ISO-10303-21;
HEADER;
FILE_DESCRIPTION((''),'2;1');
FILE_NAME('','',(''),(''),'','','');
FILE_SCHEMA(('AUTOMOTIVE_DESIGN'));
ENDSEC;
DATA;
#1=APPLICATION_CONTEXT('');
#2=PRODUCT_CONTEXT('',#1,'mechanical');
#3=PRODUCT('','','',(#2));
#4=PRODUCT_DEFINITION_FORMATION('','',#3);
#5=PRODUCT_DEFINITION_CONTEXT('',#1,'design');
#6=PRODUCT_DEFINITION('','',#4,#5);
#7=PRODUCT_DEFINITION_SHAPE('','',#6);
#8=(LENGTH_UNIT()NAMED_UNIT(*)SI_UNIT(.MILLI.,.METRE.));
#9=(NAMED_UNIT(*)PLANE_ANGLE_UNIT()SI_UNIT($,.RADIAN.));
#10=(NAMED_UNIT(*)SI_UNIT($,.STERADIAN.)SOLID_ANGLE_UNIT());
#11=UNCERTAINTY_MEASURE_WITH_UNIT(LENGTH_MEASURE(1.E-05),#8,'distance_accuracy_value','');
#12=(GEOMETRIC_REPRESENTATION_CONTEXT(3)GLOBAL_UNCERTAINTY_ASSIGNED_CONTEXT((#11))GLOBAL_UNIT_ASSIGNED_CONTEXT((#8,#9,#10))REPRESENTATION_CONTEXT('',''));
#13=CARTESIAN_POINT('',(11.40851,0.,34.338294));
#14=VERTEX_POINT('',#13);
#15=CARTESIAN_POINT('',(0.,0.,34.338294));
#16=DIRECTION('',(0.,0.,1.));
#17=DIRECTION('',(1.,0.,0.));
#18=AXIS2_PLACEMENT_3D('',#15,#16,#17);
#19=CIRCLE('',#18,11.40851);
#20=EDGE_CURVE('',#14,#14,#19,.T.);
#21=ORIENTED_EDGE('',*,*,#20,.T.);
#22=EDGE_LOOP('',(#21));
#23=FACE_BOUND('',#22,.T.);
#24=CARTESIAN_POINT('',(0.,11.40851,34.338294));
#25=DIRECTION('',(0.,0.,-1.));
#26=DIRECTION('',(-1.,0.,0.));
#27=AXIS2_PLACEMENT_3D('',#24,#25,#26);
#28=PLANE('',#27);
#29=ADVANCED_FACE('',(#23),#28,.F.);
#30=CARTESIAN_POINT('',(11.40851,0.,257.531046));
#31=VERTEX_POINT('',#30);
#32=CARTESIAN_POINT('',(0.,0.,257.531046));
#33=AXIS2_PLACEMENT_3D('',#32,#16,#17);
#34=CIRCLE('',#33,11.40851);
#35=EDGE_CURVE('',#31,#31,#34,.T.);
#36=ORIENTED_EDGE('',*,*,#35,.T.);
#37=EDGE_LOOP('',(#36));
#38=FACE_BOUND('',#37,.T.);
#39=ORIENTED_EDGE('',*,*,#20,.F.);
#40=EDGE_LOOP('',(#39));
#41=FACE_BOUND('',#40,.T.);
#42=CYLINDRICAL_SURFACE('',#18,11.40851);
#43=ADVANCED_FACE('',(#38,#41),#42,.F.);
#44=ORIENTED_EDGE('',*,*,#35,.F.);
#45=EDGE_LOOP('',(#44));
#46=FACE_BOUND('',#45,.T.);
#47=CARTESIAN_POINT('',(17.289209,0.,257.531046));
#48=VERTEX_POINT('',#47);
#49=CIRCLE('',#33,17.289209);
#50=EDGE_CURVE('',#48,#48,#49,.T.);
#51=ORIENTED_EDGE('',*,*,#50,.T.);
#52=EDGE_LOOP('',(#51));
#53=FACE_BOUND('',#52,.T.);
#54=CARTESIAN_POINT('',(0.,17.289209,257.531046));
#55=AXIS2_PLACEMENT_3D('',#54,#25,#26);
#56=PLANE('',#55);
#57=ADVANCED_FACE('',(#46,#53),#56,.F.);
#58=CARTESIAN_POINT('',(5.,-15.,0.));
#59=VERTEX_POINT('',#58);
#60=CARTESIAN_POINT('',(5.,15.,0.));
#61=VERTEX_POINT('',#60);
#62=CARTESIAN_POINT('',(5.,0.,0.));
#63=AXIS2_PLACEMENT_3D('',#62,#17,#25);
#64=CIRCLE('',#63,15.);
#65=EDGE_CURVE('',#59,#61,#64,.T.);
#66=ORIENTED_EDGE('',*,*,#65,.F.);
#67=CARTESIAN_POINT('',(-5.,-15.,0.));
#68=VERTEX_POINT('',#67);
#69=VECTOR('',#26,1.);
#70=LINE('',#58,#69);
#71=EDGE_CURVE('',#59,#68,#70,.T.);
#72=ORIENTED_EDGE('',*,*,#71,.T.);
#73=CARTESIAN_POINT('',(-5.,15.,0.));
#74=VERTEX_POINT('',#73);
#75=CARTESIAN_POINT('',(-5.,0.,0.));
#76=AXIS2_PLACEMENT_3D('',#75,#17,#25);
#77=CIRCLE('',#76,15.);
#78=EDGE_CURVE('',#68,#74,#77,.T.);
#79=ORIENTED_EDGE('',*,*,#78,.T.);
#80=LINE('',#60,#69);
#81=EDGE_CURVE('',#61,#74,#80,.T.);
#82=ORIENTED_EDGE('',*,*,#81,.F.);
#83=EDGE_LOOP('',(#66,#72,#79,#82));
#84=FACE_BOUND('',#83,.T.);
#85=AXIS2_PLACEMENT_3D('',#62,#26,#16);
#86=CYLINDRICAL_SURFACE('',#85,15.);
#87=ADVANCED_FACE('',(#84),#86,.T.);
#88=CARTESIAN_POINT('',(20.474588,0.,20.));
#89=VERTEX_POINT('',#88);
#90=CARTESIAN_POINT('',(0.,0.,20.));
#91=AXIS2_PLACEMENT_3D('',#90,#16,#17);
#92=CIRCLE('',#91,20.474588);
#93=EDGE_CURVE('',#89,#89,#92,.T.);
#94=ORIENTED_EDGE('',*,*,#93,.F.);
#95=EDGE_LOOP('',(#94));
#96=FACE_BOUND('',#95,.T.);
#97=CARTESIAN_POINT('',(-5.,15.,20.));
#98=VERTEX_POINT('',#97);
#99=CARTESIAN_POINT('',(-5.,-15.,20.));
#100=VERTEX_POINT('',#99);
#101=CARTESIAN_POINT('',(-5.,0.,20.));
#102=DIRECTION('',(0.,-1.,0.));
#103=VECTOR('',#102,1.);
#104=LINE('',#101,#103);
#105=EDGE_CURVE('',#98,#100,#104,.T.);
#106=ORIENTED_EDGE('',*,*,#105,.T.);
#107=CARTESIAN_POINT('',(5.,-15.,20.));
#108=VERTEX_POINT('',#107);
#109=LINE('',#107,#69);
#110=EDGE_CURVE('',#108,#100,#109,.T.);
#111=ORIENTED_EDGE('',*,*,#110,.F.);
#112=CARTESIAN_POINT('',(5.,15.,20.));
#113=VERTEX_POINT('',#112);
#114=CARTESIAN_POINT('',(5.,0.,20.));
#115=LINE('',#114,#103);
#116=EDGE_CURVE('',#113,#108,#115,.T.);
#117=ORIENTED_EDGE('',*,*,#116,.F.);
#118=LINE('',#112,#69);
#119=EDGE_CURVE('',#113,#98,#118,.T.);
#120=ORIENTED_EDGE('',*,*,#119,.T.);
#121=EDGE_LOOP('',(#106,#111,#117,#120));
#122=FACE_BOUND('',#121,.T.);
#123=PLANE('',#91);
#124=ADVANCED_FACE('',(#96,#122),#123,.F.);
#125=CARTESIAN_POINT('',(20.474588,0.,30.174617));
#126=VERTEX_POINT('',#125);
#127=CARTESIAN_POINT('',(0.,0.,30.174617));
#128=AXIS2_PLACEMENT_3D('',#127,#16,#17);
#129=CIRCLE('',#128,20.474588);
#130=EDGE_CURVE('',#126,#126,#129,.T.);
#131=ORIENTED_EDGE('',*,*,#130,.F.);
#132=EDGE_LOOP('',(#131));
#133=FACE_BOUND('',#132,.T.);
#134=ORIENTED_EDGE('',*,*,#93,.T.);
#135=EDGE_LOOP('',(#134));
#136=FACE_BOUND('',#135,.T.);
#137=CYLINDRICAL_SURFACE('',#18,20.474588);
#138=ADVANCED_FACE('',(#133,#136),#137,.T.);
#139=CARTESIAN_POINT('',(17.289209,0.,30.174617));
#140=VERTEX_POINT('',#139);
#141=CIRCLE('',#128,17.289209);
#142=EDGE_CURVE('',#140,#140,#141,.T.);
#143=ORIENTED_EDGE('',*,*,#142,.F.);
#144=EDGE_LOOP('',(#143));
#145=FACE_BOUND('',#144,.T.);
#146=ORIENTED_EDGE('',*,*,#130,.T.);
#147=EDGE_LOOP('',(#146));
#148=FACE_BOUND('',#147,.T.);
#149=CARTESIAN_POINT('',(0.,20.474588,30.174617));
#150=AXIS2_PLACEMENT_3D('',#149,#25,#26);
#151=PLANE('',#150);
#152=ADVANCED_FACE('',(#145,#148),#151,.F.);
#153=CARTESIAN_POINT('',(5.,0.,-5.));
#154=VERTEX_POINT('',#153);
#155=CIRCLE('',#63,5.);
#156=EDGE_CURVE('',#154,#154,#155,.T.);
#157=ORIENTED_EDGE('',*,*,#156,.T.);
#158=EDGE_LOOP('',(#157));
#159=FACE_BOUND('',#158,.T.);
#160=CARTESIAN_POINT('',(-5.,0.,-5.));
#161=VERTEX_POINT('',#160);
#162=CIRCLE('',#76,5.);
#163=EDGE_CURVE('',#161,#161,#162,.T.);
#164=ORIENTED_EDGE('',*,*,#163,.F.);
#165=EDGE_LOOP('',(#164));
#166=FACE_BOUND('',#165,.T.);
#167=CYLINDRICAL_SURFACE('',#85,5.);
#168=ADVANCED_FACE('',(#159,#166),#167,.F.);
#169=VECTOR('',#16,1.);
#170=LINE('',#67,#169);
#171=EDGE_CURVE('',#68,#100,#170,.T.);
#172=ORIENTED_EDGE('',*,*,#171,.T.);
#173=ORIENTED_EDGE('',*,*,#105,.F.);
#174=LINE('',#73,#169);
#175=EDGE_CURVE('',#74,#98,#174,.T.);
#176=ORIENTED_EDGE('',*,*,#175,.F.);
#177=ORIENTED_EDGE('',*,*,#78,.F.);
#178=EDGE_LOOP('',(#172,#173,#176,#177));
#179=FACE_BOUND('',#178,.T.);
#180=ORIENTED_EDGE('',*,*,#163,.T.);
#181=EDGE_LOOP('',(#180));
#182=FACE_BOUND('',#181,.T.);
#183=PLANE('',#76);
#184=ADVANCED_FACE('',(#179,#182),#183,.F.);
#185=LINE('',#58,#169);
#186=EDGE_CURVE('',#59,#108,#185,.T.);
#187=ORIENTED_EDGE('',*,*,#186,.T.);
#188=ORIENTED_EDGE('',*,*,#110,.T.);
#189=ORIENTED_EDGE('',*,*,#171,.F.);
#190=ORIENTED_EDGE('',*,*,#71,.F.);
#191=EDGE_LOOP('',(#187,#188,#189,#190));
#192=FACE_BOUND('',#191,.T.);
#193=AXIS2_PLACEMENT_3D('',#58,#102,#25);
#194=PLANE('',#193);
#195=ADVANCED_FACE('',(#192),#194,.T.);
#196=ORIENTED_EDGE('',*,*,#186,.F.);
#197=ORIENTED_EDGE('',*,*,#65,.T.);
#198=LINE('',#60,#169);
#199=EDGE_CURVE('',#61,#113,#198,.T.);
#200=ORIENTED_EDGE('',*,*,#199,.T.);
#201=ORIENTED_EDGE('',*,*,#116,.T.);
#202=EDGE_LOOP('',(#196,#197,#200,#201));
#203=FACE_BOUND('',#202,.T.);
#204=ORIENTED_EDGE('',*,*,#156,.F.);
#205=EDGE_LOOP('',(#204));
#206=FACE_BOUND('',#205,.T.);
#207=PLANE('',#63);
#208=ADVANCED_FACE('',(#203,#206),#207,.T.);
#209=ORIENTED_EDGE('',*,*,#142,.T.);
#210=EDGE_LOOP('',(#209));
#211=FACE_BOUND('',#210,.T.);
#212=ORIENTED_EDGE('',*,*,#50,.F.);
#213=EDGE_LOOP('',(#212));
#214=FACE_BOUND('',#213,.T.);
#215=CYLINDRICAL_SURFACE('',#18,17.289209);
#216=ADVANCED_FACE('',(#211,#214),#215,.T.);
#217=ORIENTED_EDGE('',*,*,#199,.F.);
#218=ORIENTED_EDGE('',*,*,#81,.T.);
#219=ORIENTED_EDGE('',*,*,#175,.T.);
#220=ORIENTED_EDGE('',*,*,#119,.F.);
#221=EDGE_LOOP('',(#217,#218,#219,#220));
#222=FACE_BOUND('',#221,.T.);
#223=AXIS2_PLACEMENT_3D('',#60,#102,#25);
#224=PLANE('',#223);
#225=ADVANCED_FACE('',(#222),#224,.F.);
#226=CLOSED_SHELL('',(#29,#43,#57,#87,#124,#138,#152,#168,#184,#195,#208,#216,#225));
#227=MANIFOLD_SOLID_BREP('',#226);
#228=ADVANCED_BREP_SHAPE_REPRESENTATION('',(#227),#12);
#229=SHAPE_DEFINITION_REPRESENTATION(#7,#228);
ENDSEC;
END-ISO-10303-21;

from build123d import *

# Parameters (mm, degrees)
SKETCH1_R           = 5
BOSS_EXTRUDE1_DEPTH = 5


with BuildPart() as part:
    # Sketch1 → Boss-Extrude1 (new, symmetric)
    with BuildSketch(Plane(origin=(0, 0, 0), x_dir=(0, 0, -1), z_dir=(1, 0, 0))):
        with BuildLine():
            Line((0, -15), (-20, -15))
            Line((-20, -15), (-20, 15))
            Line((-20, 15), (0, 15))
            ThreePointArc((0, 15), (15, 0), (0, -15))
        make_face()
        Circle(SKETCH1_R, mode=Mode.SUBTRACT)
    extrude(amount=BOSS_EXTRUDE1_DEPTH, both=True)

    # Sketch2 → Revolve1 (revolve)
    with BuildSketch(Plane(origin=(0, 0, 0), x_dir=(0, 0, -1), z_dir=(1, 0, 0)), mode=Mode.PRIVATE) as revolve1_sk:
        Polygon((-20, 0), (-20, 20.474587648), (-30.174617149, 20.474587648), (-30.174617149, 17.289208906), (-257.531045689, 17.289208906), (-257.531045689, 11.408509691), (-34.338293907, 11.408509691), (-34.338293907, 0), align=None)
    revolve(revolve1_sk.sketch.rotate(Axis((0, 0, 34.338293907), (0, 0, -1)), 90), axis=Axis((0, 0, 34.338293907), (0, 0, -1)))


solid = part.part
